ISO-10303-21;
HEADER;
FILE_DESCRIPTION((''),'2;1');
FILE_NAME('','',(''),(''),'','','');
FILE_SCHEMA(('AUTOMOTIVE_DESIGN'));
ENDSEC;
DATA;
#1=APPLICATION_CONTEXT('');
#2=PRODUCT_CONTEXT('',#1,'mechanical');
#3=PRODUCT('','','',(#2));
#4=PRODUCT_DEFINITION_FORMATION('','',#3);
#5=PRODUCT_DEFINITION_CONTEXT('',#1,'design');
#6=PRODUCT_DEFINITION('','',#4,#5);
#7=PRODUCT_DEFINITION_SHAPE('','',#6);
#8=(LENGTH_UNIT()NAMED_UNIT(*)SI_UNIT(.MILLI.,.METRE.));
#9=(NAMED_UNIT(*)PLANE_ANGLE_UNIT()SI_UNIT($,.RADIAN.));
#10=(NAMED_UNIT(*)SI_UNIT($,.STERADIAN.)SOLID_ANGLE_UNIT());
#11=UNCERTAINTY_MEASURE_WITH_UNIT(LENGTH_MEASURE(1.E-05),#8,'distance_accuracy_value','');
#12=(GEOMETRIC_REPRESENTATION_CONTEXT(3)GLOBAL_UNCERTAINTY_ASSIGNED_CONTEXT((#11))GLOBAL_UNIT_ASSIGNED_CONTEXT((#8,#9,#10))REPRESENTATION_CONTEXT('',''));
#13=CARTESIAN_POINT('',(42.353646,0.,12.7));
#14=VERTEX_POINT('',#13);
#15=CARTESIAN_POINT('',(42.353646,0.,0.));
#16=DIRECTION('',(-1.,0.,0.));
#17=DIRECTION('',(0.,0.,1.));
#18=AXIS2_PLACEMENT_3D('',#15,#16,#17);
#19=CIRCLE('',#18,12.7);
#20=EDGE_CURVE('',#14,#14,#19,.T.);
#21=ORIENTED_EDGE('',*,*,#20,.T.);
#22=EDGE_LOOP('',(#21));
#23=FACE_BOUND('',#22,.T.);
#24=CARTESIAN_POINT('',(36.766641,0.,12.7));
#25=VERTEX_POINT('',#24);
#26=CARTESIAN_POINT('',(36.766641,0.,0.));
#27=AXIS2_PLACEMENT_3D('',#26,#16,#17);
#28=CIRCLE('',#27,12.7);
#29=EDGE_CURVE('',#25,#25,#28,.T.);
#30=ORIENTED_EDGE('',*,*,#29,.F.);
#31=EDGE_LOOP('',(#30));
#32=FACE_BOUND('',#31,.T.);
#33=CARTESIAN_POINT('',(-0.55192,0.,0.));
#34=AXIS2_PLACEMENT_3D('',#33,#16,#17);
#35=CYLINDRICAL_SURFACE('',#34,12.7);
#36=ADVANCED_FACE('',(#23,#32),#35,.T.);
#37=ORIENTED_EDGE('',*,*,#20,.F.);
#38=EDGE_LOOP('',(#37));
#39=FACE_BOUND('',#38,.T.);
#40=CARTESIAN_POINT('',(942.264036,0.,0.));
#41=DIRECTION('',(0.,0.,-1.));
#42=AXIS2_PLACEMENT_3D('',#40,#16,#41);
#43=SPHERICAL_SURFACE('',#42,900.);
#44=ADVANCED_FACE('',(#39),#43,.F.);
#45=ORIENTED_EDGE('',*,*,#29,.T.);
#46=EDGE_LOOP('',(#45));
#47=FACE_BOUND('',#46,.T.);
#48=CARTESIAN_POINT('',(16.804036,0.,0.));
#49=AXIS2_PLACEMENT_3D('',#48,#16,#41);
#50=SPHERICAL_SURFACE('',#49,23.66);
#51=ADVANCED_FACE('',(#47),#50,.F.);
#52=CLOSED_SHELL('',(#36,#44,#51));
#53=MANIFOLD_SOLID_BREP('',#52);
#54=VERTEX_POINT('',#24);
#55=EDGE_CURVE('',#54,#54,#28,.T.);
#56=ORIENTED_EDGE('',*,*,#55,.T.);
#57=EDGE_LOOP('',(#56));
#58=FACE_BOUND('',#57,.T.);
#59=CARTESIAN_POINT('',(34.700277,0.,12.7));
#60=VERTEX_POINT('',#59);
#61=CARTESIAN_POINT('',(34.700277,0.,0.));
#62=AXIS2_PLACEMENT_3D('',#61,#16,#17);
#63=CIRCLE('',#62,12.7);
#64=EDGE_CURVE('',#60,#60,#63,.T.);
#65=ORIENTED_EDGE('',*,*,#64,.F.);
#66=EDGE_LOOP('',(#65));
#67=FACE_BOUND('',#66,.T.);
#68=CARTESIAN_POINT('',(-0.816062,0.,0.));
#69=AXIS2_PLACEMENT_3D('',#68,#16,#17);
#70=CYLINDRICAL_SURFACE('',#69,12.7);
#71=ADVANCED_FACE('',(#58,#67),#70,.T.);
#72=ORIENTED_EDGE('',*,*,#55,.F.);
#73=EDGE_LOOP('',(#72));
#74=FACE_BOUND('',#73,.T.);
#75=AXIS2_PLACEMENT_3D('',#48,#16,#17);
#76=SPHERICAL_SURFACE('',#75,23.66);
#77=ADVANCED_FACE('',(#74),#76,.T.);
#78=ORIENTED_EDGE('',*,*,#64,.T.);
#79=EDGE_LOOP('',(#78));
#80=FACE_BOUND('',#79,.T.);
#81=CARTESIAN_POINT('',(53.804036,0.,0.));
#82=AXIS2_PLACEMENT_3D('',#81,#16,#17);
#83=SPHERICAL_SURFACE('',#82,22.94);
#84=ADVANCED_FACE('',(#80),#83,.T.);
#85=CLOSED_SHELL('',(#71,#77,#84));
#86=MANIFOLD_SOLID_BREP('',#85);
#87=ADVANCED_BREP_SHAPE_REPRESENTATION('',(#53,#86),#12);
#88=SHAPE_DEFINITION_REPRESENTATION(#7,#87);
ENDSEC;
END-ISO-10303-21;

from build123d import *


with BuildPart() as part:
    # 草图1 one side → 旋转1 (revolve)
    with BuildSketch(Plane(origin=(0, 0, 0), x_dir=(1, 0, 0), z_dir=(0, 1, 0)), mode=Mode.PRIVATE) as revolve_1_sk:
        with BuildLine():
            ThreePointArc((34.700277422, 12.7), (31.84402908, 6.633376716), (30.864036214, 0))
            Line((30.864036214, 0), (40.464036214, 0))
            ThreePointArc((40.464036214, 0), (39.520889377, 6.613636093), (36.766641255, 12.7))
            Line((36.766641255, 12.7), (34.700277422, 12.7))
        make_face()
    revolve(revolve_1_sk.sketch.rotate(Axis((-0.816062176, 0, 0), (1, 0, 0)), 180), axis=Axis((-0.816062176, 0, 0), (1, 0, 0)))  # turned: the seam where the file's is


with BuildPart() as body_2:
    # 草图2 one side → 旋转2 (revolve)
    with BuildSketch(Plane(origin=(0, 0, 0), x_dir=(1, 0, 0), z_dir=(0, 1, 0)), mode=Mode.PRIVATE) as revolve_2_sk:
        with BuildLine():
            Line((42.353646231, 12.7), (36.766641255, 12.7))
            ThreePointArc((36.766641255, 12.7), (39.520889377, 6.613636093), (40.464036214, 0))
            Line((40.464036214, 0), (42.264036214, 0))
            ThreePointArc((42.264036214, 0), (42.286438997, 6.350158068), (42.353646231, 12.7))
        make_face()
    revolve(revolve_2_sk.sketch.rotate(Axis((-0.551919993, 0, 0), (1, 0, 0)), 180), axis=Axis((-0.551919993, 0, 0), (1, 0, 0)))  # turned: the seam where the file's is


solid = Compound([part.part, body_2.part])
